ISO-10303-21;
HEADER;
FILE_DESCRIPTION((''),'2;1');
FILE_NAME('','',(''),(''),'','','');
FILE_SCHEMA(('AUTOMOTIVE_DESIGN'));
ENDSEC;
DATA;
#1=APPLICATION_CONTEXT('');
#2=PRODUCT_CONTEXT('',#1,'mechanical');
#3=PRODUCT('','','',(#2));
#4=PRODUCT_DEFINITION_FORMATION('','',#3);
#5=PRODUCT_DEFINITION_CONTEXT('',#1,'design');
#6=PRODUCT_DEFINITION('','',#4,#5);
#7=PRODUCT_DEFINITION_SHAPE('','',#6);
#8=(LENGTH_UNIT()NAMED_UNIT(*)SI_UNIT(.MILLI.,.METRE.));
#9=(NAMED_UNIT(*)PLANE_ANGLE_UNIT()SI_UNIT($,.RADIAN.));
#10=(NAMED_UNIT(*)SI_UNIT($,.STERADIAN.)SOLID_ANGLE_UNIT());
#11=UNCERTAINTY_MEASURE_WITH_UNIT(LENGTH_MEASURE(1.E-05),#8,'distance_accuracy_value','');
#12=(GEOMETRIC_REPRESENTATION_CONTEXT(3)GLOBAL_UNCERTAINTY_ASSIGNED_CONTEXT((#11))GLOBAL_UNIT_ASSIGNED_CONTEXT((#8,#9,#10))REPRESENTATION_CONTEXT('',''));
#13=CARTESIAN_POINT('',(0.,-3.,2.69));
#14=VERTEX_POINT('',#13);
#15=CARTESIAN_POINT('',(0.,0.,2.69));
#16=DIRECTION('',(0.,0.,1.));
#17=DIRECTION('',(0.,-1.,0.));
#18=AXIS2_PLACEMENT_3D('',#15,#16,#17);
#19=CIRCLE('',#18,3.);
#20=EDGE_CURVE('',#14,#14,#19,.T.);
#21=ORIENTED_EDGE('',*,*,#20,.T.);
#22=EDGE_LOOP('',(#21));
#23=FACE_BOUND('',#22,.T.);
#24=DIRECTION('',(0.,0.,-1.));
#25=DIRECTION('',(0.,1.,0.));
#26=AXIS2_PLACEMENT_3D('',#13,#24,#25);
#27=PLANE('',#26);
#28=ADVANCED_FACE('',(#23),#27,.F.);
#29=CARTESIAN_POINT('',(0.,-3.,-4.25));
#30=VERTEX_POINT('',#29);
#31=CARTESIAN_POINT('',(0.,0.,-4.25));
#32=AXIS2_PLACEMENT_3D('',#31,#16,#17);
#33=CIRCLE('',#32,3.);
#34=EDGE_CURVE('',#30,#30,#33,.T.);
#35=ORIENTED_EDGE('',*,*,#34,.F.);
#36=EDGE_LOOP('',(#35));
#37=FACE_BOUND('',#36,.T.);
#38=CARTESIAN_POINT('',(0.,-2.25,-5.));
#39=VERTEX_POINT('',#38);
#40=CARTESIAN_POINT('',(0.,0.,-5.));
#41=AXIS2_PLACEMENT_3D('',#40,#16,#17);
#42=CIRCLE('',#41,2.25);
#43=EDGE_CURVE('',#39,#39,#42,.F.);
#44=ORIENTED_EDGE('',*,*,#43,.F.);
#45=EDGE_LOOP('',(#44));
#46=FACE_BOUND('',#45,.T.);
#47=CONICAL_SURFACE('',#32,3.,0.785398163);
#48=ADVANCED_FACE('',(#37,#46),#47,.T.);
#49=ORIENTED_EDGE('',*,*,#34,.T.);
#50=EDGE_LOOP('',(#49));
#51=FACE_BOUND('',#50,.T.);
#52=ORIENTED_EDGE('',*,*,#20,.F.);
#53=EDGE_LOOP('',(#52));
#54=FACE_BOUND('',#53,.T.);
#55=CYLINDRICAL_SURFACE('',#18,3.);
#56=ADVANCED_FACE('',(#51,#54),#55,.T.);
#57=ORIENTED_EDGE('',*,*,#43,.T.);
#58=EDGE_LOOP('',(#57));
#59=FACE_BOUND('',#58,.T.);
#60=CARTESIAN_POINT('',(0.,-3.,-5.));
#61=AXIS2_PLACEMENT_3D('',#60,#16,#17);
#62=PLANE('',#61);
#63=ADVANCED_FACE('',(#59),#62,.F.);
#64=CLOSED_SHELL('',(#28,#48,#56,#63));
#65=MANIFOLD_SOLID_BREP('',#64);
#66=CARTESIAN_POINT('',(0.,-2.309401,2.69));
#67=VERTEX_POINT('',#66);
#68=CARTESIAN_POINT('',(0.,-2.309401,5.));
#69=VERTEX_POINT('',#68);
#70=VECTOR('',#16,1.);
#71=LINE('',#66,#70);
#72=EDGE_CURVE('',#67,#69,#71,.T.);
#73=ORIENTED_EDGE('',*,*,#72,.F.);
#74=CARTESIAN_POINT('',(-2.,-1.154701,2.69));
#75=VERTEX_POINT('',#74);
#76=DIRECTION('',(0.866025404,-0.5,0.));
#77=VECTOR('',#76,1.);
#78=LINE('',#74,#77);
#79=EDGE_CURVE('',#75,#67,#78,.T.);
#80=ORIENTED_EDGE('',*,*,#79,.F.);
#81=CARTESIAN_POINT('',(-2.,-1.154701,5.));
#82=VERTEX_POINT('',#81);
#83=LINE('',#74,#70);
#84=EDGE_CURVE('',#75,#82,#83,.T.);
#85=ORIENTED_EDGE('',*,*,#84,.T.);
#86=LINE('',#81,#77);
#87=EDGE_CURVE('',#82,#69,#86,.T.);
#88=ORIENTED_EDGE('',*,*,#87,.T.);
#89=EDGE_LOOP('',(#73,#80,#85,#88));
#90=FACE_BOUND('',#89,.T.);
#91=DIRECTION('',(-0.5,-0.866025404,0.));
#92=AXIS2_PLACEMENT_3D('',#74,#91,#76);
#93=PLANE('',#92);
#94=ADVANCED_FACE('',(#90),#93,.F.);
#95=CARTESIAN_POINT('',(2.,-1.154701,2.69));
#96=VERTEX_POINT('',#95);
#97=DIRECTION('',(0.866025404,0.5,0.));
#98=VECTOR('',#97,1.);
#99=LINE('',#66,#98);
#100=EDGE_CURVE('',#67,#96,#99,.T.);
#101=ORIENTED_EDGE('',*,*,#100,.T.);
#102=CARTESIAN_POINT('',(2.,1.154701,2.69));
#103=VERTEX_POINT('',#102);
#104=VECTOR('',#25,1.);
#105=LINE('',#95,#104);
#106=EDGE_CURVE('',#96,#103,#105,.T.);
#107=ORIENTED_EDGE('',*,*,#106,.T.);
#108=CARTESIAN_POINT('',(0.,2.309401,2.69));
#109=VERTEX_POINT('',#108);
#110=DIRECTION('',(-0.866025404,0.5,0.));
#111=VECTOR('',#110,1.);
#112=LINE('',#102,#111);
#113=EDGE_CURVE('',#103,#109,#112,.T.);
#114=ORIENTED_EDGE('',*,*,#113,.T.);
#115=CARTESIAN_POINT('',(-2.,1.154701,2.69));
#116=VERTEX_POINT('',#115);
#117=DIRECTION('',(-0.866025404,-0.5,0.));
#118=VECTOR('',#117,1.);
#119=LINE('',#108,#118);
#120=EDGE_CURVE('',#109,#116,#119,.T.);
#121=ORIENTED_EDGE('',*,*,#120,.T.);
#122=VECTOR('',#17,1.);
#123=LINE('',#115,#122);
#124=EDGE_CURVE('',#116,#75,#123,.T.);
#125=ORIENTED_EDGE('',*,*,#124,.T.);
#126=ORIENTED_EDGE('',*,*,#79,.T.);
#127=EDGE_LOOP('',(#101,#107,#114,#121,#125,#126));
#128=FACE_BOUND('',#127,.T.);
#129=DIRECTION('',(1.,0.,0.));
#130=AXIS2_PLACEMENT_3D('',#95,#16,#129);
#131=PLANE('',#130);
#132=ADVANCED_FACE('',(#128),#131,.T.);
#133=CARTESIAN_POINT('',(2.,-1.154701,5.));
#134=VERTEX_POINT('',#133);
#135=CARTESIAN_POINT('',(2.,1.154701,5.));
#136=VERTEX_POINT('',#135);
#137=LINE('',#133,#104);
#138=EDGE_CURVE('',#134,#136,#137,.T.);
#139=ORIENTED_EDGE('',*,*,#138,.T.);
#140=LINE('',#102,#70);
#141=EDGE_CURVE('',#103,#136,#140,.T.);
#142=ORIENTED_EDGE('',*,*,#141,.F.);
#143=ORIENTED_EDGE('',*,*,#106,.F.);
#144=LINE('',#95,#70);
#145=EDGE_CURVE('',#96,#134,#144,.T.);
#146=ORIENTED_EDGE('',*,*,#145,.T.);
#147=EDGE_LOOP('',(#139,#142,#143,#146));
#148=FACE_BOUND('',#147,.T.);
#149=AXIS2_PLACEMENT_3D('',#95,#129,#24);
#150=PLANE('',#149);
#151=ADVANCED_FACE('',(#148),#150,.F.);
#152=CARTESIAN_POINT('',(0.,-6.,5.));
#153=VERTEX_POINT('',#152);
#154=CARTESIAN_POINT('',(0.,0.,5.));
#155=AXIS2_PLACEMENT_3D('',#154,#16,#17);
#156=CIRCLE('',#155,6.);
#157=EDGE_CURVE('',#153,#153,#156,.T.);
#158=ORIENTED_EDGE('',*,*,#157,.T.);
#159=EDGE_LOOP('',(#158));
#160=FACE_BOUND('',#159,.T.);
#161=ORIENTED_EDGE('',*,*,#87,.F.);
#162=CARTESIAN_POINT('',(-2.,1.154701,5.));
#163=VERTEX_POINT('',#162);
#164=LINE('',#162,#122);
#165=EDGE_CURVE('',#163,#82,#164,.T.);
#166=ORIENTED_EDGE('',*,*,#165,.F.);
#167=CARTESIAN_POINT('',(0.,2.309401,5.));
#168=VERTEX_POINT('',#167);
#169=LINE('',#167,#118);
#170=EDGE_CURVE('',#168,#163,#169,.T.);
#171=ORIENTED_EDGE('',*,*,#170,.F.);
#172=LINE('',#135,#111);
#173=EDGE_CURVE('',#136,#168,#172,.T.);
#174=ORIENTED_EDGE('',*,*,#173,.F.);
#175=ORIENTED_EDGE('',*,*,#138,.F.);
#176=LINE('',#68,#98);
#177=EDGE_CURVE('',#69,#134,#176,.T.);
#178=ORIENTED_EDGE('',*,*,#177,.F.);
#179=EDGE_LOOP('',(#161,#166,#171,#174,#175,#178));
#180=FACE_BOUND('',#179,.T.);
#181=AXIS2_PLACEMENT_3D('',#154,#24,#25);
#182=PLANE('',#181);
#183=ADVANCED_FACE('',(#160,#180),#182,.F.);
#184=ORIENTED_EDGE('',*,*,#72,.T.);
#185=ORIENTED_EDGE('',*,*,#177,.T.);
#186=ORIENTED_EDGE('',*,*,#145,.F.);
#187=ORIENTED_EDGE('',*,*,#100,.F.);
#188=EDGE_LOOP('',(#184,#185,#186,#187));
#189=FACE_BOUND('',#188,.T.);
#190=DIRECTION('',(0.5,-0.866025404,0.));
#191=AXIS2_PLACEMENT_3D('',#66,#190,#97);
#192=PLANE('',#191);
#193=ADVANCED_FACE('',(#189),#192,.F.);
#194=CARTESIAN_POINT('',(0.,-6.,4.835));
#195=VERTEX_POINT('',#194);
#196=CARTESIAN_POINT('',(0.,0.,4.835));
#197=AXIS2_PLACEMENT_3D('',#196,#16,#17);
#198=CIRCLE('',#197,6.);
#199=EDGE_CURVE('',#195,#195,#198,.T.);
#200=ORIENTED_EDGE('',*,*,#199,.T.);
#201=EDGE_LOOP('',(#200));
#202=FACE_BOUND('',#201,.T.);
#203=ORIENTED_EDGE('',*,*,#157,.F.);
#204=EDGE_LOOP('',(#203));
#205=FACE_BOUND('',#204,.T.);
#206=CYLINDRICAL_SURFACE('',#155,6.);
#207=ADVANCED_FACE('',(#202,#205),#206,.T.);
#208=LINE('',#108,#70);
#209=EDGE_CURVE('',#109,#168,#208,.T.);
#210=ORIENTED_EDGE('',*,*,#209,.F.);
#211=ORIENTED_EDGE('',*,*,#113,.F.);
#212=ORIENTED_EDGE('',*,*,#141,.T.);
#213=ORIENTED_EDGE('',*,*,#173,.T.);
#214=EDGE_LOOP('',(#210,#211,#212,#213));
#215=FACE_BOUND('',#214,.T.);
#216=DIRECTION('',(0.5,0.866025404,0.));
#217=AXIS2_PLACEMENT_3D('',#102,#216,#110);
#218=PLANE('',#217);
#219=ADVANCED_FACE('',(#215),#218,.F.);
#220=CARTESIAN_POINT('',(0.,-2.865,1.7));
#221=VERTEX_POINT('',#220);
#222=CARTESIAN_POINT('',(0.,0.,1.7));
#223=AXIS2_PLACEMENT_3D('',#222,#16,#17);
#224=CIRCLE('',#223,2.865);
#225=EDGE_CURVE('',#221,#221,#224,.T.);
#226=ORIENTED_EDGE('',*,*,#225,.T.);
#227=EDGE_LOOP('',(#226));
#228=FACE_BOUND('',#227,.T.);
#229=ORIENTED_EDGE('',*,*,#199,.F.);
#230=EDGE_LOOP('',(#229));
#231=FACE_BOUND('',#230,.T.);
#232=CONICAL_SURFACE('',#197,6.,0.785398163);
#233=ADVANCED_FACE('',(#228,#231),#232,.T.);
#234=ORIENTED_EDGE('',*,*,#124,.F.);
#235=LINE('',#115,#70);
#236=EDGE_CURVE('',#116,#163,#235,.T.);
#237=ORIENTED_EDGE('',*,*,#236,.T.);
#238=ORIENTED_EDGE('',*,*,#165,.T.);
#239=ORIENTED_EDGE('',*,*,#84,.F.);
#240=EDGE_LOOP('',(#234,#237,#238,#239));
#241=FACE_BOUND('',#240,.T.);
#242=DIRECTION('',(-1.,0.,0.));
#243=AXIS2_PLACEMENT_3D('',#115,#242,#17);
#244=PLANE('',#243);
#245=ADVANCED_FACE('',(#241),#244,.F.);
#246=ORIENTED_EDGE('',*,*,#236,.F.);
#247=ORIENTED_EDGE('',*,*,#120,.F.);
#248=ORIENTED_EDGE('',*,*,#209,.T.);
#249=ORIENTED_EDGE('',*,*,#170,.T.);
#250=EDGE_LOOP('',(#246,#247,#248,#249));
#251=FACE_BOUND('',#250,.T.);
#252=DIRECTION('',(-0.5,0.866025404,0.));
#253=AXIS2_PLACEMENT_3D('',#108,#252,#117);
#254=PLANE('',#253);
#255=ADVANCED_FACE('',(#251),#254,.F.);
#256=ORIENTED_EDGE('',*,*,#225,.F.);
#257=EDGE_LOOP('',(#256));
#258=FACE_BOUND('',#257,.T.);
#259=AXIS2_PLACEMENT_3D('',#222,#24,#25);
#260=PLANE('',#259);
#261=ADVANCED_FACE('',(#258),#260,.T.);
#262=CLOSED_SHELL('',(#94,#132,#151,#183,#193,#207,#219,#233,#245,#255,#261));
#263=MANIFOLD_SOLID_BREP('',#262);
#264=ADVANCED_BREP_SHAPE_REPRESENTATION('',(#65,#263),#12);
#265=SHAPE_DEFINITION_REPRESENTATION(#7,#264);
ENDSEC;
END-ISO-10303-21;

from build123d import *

# Parameters (mm, degrees)
CHAMFER1_SIZE      = 0.75
CUT_EXTRUDE2_DEPTH = 2.31


with BuildPart() as part:
    # Sketch1 → Revolve1 (revolve)
    with BuildSketch(Plane(origin=(0, 0, 0), x_dir=(0, 0, -1), z_dir=(1, 0, 0))):
        Polygon((-1.7, 3), (5, 3), (5, 0), (-2.69, 0), (-2.69, 3), align=None)
    revolve(axis=Axis((0, 0, 2.69), (0, 0, -1)))

    # Chamfer1
    chamfer1_edges = [part.edges().sort_by_distance(p)[0] for p in [
        (0, -3, -5),
    ]]
    chamfer(chamfer1_edges, length=CHAMFER1_SIZE)


with BuildPart() as body_2:
    # Sketch7 → Revolve2 (revolve)
    with BuildSketch(Plane(origin=(0, 0, 0), x_dir=(0, 0, -1), z_dir=(1, 0, 0))):
        Polygon((-4.835, 6), (-5, 6), (-5, 0), (-1.7, 0), (-1.7, 2.865), align=None)
    revolve(axis=Axis((0, 0, 5), (0, 0, -1)))

    # Sketch5 → Cut-Extrude2 (cut)
    with BuildSketch(Plane.XY.offset(5)):
        Polygon((2, -1.154700538), (2, 1.154700538), (0, 2.309401077), (-2, 1.154700538), (-2, -1.154700538), (0, -2.309401077), align=None)
    extrude(amount=-CUT_EXTRUDE2_DEPTH, mode=Mode.SUBTRACT)


solid = Compound([part.part, body_2.part])
